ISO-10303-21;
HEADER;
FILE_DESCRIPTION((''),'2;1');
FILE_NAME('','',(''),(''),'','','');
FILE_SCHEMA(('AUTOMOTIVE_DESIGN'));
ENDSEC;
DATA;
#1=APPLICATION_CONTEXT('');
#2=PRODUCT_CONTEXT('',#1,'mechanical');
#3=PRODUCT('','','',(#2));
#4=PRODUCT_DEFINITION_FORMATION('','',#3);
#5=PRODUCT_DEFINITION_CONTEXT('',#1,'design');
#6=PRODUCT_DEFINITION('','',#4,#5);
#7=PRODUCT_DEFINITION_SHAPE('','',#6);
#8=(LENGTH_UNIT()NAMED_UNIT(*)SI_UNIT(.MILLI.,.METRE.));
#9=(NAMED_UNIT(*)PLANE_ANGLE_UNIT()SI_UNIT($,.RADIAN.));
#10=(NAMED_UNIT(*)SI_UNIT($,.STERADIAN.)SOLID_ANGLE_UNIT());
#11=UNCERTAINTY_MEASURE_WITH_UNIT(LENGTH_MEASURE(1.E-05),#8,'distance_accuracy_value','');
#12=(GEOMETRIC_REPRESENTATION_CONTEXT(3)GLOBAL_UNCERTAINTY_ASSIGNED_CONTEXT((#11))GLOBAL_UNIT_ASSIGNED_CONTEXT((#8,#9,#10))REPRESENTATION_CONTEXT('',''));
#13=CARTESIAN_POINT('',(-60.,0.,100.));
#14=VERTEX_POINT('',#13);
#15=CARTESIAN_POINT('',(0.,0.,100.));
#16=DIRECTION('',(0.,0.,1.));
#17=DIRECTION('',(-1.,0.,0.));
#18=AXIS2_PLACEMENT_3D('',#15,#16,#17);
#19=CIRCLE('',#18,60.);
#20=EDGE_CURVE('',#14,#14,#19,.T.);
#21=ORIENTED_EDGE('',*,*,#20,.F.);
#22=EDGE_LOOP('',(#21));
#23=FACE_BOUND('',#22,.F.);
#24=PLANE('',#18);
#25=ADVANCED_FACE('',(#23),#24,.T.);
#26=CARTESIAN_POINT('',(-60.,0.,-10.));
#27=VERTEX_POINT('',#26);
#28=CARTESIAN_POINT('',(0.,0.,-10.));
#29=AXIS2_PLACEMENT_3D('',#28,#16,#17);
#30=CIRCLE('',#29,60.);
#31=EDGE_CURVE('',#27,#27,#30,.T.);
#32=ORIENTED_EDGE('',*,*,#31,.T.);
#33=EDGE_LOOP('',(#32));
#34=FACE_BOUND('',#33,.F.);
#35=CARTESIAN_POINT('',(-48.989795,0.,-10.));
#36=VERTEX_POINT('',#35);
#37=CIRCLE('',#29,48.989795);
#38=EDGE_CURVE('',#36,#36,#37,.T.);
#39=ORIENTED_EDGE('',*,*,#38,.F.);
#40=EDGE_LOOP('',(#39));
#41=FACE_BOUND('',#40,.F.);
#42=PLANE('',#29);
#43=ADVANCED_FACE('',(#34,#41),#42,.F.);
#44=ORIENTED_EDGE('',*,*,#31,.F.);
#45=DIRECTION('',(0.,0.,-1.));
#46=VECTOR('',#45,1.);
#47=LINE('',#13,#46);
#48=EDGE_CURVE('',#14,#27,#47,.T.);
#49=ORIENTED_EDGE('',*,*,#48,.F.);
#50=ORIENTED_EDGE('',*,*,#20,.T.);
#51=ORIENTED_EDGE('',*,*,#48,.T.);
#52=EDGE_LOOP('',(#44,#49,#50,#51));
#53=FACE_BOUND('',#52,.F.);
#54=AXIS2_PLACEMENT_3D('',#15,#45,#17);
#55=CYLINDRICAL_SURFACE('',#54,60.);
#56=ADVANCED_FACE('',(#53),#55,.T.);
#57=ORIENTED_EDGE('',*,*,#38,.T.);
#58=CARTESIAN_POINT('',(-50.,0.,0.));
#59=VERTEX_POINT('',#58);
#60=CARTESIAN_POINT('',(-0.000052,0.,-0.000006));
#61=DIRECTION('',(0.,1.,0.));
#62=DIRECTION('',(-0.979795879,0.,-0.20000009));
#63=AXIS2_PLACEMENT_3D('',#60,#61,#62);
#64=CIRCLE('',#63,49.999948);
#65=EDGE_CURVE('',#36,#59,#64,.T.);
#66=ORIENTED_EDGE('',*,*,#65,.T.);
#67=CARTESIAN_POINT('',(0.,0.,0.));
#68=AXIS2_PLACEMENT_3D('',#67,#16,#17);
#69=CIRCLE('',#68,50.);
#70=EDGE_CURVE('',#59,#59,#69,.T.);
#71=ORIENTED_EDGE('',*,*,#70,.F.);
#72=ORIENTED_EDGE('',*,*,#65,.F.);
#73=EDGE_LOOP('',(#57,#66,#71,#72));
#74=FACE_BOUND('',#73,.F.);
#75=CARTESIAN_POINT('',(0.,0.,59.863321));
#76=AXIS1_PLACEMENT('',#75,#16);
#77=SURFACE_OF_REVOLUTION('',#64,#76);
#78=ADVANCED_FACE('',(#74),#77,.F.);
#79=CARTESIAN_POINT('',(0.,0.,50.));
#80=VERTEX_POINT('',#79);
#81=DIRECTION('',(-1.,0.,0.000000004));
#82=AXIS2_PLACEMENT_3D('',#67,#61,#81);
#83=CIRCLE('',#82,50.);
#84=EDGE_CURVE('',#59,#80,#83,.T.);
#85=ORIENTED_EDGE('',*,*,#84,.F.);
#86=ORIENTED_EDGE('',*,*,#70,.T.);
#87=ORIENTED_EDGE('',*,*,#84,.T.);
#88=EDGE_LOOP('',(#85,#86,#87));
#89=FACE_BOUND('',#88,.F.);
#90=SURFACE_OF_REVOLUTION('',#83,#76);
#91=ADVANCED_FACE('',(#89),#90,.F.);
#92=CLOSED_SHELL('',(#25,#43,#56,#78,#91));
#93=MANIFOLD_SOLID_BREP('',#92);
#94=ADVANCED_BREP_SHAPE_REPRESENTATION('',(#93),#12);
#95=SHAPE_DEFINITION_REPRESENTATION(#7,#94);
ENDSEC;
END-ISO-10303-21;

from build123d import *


with BuildPart() as f1:
    # F0 (on Front) → F1 (revolve)
    with BuildSketch(Plane.XZ):
        with BuildLine():
            Line((-60, 0), (-50, 0))
            ThreePointArc((-50, 0), (-35.355339, 35.355339), (0, 50))
            Line((0, 50), (0, 100))
            Line((0, 100), (-60, 100))
            Line((-60, 100), (-60, 0))
        make_face()
        with BuildLine():
            ThreePointArc((-48.989795, -10), (-49.746808, -5.025448), (-50, 0))
            Line((-50, 0), (-60, 0))
            Line((-60, 0), (-60, -10))
            Line((-60, -10), (-48.989795, -10))
        make_face()
    revolve(axis=Axis((0, 0, 59.863321), (0, 0, 1)))


solid = f1.part
